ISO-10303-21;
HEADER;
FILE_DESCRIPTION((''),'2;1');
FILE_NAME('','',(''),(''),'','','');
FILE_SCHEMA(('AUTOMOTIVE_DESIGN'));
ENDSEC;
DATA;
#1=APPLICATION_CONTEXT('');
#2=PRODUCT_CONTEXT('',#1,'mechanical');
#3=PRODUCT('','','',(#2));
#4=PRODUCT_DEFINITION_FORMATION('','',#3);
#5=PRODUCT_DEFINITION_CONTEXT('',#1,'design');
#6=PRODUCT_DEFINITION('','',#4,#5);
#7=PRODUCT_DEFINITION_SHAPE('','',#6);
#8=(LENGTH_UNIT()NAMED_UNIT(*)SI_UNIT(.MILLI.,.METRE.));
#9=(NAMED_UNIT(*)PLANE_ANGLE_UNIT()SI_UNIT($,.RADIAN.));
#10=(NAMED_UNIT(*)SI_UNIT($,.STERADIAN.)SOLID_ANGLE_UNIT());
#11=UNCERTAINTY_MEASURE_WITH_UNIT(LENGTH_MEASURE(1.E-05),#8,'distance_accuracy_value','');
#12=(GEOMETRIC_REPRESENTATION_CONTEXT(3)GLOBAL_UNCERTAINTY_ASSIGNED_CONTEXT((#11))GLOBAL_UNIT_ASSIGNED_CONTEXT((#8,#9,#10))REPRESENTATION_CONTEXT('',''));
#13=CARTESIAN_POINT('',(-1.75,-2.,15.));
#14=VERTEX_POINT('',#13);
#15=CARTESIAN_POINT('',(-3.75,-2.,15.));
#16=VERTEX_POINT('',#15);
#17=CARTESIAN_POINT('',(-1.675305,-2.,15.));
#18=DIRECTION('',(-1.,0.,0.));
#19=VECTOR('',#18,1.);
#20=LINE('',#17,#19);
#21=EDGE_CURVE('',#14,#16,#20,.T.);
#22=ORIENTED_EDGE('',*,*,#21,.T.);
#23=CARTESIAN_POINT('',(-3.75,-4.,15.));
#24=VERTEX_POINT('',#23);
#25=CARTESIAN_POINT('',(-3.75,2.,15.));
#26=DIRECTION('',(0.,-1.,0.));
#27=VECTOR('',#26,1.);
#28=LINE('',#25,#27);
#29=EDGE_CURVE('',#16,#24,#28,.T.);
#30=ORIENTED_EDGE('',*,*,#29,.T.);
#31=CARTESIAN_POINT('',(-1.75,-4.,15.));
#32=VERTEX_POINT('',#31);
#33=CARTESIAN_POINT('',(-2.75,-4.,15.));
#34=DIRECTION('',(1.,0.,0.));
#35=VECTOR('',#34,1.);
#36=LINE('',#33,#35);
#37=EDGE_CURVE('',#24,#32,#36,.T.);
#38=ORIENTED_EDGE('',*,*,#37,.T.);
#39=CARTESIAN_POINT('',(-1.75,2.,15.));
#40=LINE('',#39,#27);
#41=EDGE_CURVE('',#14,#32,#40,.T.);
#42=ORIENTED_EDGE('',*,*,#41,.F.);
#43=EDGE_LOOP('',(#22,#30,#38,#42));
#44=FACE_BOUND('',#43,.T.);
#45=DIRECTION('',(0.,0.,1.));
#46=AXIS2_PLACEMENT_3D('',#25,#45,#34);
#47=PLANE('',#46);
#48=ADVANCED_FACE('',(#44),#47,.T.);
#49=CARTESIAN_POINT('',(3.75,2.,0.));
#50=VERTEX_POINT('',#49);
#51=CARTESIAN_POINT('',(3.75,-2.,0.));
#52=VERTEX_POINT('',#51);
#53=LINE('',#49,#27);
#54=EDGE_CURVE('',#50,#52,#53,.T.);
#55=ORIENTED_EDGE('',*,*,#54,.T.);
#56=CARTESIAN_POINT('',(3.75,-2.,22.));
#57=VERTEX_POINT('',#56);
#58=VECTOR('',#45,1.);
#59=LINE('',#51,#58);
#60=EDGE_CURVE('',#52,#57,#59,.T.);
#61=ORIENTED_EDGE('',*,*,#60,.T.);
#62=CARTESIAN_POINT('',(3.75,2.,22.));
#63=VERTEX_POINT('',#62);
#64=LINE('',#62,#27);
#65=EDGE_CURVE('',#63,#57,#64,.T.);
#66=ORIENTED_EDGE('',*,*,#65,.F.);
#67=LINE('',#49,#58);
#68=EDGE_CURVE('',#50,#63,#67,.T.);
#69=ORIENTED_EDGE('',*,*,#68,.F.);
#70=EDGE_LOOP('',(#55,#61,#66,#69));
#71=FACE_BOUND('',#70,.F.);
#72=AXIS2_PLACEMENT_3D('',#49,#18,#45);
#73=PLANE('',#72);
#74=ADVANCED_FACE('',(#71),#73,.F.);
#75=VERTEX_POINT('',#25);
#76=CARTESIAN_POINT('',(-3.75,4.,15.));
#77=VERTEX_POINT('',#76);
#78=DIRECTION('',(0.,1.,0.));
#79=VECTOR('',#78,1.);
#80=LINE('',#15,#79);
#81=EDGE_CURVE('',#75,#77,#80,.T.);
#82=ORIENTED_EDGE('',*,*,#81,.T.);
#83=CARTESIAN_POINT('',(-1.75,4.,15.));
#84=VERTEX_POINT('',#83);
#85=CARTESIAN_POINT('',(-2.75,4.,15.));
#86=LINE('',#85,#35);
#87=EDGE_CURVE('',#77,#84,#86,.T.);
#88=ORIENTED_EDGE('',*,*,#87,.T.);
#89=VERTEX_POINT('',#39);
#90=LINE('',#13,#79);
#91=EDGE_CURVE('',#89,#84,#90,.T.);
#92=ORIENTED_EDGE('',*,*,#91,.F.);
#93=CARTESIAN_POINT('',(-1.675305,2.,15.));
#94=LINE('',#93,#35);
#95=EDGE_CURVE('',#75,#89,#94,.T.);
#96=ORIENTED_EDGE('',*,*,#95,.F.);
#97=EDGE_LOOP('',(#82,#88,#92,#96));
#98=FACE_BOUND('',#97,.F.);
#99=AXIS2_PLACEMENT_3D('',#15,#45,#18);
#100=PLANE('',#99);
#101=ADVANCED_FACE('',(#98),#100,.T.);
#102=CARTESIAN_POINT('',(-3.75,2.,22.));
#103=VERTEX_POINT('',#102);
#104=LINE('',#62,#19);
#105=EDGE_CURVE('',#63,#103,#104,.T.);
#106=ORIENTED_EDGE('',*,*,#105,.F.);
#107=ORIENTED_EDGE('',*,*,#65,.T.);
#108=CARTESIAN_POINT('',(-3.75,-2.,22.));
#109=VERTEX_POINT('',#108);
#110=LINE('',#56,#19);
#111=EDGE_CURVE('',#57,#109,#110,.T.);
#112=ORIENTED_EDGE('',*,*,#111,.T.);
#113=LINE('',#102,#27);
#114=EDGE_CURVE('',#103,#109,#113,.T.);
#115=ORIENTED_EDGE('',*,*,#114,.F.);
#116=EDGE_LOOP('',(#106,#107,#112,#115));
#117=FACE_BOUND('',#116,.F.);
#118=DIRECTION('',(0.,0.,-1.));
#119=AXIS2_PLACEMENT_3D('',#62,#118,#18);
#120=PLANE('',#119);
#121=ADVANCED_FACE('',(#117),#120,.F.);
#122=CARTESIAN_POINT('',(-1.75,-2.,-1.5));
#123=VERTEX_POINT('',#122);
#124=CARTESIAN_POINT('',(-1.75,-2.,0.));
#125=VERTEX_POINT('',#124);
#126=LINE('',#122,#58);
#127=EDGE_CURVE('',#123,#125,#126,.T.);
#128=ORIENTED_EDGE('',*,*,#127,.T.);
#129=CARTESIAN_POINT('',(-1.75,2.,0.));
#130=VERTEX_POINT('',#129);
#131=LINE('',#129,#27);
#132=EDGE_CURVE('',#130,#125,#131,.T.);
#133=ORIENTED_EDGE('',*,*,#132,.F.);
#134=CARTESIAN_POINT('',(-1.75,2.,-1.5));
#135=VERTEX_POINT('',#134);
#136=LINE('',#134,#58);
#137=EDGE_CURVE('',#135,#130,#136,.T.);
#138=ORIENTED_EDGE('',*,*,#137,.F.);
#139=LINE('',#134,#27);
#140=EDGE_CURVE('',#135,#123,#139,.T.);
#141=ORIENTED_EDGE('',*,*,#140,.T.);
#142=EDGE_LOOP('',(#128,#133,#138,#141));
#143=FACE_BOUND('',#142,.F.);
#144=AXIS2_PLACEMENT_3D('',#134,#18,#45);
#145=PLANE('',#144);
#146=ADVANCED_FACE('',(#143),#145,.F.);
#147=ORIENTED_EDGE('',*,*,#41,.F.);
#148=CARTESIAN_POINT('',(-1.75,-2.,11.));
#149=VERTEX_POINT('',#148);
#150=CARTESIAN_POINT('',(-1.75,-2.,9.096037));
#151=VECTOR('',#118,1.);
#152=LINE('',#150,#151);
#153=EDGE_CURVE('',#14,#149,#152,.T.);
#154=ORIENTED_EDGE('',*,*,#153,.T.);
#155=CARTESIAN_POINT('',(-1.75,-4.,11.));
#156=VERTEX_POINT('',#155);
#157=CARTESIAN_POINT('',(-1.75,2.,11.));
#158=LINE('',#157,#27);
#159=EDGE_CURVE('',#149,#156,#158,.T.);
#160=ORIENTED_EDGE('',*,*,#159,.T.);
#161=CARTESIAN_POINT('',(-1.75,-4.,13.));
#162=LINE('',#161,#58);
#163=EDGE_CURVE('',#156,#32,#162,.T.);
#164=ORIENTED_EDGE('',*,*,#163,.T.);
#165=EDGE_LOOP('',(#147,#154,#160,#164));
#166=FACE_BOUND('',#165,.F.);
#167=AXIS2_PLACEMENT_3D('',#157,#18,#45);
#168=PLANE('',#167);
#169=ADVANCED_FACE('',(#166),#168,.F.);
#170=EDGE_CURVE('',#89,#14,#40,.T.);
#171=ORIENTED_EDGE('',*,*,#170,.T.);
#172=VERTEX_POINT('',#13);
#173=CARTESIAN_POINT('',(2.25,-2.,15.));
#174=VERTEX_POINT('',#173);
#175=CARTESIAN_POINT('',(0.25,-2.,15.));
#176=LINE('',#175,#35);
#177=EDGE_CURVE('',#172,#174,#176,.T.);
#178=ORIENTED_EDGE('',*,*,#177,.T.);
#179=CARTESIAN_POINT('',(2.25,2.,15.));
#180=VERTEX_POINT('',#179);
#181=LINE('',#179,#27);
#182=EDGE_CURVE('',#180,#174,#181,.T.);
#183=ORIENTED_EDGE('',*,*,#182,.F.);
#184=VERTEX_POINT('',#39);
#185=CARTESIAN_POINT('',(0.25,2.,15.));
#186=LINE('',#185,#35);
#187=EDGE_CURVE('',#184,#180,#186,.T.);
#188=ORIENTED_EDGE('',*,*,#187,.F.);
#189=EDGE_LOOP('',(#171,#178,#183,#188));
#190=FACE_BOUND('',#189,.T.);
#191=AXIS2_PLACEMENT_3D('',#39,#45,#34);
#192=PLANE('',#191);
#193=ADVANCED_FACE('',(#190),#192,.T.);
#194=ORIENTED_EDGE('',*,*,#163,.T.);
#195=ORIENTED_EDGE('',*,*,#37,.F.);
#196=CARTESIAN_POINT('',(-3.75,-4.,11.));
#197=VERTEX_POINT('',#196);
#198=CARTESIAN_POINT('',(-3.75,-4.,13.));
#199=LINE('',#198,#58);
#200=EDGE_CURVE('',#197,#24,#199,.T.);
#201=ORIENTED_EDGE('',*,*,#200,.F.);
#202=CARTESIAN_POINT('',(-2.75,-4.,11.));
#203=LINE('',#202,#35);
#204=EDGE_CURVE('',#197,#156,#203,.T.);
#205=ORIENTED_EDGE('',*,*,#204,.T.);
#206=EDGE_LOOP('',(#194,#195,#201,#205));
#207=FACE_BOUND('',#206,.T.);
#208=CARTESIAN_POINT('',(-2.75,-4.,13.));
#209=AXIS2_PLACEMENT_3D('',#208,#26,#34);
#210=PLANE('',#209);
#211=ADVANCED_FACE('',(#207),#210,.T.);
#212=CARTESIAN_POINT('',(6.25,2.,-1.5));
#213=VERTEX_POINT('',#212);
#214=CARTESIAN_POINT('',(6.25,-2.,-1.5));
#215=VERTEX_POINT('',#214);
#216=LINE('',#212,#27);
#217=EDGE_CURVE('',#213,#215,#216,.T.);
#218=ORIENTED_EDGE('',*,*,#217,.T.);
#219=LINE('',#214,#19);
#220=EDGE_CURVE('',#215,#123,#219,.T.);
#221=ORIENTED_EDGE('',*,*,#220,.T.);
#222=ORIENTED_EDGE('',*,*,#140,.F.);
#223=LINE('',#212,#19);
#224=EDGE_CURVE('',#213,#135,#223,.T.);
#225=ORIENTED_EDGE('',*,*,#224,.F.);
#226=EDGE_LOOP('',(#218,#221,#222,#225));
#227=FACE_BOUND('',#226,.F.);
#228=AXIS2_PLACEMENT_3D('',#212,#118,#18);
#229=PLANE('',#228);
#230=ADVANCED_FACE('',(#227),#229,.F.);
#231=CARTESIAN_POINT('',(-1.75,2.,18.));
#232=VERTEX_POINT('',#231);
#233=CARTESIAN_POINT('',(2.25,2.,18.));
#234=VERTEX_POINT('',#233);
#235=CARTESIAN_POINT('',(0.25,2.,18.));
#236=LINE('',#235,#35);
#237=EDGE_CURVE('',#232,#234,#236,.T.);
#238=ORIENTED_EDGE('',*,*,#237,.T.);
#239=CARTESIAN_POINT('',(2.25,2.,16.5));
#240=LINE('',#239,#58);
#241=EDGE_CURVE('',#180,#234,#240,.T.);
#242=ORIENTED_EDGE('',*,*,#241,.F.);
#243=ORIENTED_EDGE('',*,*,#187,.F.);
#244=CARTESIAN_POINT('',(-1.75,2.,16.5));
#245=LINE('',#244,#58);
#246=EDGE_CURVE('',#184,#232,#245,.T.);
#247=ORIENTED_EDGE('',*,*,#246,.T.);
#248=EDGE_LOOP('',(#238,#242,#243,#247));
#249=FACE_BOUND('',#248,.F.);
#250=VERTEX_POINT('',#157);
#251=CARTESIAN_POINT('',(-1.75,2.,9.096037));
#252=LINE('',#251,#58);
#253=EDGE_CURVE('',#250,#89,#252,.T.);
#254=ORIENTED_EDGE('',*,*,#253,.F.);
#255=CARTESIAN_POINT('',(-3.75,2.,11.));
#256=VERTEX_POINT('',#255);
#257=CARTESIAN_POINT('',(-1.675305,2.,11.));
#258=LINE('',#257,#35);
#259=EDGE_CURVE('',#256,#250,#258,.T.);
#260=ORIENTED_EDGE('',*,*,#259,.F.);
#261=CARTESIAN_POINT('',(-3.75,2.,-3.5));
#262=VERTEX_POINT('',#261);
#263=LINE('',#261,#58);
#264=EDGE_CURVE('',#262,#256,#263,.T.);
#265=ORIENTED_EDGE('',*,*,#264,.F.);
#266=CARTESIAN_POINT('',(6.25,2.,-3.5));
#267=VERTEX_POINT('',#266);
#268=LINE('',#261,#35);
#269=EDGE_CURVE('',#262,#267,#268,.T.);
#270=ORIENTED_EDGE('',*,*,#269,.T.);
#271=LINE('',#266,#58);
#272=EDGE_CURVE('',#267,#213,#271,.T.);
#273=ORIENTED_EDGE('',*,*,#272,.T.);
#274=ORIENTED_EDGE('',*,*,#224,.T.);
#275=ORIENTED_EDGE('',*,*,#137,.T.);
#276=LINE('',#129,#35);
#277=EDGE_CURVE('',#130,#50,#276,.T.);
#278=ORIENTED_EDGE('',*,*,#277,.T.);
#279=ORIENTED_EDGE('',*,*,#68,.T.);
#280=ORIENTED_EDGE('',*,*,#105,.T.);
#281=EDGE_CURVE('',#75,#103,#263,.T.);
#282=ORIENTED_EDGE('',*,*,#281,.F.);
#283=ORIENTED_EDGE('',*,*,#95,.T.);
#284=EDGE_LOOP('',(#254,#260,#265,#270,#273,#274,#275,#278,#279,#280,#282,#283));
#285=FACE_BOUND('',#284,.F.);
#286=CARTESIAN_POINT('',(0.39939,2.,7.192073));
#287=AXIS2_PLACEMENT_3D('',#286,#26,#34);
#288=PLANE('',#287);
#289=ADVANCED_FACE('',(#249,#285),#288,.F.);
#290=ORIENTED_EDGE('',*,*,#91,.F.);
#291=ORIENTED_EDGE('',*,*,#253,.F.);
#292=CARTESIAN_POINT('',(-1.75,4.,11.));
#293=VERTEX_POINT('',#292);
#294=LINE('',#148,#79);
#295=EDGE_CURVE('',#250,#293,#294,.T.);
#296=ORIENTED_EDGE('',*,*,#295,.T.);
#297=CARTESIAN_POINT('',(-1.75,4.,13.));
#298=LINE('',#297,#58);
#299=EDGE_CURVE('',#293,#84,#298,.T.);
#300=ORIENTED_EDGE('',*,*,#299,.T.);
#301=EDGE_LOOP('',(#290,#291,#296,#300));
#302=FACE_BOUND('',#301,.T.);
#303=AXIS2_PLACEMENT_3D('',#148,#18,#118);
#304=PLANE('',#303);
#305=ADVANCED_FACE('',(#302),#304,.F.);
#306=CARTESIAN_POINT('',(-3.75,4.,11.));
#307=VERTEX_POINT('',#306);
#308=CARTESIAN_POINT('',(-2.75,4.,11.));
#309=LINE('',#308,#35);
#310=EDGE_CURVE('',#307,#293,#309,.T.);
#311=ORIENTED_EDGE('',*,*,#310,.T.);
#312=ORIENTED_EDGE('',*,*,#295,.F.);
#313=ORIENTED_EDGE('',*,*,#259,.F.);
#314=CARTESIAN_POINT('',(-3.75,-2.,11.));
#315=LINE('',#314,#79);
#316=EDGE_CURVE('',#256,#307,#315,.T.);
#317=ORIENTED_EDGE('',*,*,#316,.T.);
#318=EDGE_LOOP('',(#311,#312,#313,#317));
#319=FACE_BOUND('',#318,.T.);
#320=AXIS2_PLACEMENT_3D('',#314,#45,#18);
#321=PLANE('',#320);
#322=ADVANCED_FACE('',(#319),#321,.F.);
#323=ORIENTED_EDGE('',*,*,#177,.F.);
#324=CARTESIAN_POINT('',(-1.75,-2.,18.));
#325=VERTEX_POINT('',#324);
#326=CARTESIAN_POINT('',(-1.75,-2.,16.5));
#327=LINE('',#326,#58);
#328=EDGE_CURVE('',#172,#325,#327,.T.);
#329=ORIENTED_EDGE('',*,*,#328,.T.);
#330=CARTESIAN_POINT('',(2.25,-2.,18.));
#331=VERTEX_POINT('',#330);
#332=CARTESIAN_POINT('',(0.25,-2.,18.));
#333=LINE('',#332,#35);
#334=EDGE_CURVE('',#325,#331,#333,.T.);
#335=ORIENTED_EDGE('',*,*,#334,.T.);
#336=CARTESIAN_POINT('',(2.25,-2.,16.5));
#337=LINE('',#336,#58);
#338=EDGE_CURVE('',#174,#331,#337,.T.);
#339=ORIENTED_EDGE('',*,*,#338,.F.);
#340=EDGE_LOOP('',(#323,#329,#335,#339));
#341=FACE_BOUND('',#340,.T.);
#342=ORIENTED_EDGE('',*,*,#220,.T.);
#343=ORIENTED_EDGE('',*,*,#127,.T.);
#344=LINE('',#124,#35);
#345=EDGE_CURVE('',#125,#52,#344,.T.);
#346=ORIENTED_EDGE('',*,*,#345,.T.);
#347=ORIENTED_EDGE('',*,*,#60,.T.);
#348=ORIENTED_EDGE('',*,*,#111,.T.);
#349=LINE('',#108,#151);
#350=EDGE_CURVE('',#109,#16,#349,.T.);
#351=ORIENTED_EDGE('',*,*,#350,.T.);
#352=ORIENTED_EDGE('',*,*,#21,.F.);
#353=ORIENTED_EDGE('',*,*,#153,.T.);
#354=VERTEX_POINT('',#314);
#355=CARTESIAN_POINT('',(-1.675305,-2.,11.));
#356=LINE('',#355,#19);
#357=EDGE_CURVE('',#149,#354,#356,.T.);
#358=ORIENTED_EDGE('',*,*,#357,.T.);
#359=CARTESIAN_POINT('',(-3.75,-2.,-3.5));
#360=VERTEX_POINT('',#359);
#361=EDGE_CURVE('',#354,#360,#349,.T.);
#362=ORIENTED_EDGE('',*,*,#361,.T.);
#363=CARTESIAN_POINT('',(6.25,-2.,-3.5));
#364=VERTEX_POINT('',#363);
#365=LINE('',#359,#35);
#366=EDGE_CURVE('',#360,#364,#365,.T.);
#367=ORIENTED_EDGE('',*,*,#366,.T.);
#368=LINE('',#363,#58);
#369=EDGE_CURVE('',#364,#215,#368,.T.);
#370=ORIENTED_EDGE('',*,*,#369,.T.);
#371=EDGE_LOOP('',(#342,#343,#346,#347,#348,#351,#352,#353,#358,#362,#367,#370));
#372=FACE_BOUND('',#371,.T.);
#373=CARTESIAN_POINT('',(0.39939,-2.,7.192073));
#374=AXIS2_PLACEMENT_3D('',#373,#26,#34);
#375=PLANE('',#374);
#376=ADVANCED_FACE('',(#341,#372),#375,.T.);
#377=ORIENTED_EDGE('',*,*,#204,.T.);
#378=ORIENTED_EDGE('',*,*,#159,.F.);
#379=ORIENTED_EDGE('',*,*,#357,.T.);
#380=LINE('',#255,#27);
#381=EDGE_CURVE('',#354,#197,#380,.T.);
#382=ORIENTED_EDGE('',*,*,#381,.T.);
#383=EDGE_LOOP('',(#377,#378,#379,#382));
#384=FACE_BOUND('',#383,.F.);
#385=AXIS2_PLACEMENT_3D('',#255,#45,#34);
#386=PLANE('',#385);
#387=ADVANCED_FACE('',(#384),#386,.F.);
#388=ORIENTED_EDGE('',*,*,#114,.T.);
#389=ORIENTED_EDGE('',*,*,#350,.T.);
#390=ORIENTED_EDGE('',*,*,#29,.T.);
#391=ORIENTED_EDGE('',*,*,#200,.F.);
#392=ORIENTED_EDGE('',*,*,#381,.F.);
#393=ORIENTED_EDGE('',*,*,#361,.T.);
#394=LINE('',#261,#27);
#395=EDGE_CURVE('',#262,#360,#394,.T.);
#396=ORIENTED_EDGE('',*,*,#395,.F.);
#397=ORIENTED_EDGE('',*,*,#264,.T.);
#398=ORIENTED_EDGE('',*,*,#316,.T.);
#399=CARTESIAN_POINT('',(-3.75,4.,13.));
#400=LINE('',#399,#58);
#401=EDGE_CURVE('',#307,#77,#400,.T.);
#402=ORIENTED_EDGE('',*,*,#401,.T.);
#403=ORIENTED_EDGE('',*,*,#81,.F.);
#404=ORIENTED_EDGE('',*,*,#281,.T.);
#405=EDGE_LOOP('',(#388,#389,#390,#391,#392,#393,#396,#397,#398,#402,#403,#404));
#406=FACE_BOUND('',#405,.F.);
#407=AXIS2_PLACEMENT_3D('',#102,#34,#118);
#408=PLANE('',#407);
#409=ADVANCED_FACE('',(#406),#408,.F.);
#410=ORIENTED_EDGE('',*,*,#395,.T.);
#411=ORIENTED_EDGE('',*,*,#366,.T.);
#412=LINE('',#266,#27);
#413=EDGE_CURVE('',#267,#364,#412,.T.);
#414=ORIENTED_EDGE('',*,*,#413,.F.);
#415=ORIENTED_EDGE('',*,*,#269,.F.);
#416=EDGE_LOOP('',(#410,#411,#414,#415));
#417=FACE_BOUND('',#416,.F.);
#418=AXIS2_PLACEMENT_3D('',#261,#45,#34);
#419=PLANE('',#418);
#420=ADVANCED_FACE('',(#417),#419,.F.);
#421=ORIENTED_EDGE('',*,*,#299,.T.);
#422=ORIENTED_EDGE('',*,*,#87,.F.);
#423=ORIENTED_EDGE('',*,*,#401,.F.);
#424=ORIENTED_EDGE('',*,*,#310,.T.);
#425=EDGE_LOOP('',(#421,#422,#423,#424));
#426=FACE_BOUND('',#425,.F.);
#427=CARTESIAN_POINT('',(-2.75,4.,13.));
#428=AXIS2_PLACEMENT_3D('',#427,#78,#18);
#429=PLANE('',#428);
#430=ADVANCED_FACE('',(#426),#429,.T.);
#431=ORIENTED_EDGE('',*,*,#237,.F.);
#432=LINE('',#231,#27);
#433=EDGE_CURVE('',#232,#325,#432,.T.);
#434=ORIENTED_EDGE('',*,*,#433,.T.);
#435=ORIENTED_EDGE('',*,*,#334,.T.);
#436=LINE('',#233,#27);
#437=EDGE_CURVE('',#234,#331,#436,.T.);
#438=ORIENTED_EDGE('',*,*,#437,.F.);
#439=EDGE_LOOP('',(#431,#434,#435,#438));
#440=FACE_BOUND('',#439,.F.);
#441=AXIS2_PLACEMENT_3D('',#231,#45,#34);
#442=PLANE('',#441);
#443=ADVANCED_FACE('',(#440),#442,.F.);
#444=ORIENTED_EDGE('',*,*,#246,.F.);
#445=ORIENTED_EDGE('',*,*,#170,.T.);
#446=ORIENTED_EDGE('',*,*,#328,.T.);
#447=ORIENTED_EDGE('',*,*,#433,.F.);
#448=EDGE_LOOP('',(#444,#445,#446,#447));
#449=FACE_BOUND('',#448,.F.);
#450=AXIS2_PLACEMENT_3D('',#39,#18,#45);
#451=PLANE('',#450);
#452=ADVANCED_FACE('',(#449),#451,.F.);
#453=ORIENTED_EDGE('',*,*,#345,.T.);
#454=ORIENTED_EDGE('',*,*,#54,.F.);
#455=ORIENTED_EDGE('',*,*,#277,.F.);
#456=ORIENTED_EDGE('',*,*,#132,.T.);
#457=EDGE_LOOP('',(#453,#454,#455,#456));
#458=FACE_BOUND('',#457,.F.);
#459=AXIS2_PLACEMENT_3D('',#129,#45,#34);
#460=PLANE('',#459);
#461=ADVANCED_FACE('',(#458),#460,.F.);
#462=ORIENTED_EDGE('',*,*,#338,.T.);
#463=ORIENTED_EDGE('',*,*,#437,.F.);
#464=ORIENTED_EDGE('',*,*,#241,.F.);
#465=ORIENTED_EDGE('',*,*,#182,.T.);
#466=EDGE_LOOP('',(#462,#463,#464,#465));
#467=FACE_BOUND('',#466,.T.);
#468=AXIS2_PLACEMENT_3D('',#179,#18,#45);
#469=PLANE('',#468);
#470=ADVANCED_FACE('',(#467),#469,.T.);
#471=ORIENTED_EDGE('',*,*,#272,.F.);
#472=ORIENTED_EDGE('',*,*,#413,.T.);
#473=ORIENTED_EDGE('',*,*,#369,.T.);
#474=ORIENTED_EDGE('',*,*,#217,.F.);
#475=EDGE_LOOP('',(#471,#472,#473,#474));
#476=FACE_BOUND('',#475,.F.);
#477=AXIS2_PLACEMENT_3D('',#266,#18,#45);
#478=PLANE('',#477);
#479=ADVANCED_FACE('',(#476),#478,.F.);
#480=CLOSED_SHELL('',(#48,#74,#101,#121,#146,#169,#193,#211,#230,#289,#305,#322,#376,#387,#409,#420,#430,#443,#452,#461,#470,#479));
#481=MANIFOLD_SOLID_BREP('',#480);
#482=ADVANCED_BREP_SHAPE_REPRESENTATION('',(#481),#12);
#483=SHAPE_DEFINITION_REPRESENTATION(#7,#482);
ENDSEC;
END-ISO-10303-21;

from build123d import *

# Parameters (mm, degrees)
SKETCH002_W  = 4
SKETCH002_H  = 3
PAD002_DEPTH = 4
SKETCH_W     = 2
SKETCH_H     = 4
PAD_DEPTH    = 6


with BuildPart() as part:
    # Sketch002 → Pad002 (new body)
    with BuildSketch(Plane.XZ.offset(-2)):
        Polygon((3.75, 0), (3.75, 22), (3.75, 22), (2.25, 22), (-3.75, 22), (-3.75, 0), (-3.75, -3.5), (6.25, -3.5), (6.25, -1.5), (-1.75, -1.5), (-1.75, 0), align=None)
        with Locations((0.25, 16.5)):
            Rectangle(SKETCH002_W, SKETCH002_H, mode=Mode.SUBTRACT)
    extrude(amount=PAD002_DEPTH)

    # Sketch (on Pad) → Pad (join)
    with BuildSketch(Plane.XZ.offset(-2)):
        with Locations((-2.75, 13)):
            Rectangle(SKETCH_W, SKETCH_H)
    pad = extrude(amount=PAD_DEPTH)

    # Mirrored: Pad across XZ
    add(pad.mirror(Plane.XZ))


solid = part.part
